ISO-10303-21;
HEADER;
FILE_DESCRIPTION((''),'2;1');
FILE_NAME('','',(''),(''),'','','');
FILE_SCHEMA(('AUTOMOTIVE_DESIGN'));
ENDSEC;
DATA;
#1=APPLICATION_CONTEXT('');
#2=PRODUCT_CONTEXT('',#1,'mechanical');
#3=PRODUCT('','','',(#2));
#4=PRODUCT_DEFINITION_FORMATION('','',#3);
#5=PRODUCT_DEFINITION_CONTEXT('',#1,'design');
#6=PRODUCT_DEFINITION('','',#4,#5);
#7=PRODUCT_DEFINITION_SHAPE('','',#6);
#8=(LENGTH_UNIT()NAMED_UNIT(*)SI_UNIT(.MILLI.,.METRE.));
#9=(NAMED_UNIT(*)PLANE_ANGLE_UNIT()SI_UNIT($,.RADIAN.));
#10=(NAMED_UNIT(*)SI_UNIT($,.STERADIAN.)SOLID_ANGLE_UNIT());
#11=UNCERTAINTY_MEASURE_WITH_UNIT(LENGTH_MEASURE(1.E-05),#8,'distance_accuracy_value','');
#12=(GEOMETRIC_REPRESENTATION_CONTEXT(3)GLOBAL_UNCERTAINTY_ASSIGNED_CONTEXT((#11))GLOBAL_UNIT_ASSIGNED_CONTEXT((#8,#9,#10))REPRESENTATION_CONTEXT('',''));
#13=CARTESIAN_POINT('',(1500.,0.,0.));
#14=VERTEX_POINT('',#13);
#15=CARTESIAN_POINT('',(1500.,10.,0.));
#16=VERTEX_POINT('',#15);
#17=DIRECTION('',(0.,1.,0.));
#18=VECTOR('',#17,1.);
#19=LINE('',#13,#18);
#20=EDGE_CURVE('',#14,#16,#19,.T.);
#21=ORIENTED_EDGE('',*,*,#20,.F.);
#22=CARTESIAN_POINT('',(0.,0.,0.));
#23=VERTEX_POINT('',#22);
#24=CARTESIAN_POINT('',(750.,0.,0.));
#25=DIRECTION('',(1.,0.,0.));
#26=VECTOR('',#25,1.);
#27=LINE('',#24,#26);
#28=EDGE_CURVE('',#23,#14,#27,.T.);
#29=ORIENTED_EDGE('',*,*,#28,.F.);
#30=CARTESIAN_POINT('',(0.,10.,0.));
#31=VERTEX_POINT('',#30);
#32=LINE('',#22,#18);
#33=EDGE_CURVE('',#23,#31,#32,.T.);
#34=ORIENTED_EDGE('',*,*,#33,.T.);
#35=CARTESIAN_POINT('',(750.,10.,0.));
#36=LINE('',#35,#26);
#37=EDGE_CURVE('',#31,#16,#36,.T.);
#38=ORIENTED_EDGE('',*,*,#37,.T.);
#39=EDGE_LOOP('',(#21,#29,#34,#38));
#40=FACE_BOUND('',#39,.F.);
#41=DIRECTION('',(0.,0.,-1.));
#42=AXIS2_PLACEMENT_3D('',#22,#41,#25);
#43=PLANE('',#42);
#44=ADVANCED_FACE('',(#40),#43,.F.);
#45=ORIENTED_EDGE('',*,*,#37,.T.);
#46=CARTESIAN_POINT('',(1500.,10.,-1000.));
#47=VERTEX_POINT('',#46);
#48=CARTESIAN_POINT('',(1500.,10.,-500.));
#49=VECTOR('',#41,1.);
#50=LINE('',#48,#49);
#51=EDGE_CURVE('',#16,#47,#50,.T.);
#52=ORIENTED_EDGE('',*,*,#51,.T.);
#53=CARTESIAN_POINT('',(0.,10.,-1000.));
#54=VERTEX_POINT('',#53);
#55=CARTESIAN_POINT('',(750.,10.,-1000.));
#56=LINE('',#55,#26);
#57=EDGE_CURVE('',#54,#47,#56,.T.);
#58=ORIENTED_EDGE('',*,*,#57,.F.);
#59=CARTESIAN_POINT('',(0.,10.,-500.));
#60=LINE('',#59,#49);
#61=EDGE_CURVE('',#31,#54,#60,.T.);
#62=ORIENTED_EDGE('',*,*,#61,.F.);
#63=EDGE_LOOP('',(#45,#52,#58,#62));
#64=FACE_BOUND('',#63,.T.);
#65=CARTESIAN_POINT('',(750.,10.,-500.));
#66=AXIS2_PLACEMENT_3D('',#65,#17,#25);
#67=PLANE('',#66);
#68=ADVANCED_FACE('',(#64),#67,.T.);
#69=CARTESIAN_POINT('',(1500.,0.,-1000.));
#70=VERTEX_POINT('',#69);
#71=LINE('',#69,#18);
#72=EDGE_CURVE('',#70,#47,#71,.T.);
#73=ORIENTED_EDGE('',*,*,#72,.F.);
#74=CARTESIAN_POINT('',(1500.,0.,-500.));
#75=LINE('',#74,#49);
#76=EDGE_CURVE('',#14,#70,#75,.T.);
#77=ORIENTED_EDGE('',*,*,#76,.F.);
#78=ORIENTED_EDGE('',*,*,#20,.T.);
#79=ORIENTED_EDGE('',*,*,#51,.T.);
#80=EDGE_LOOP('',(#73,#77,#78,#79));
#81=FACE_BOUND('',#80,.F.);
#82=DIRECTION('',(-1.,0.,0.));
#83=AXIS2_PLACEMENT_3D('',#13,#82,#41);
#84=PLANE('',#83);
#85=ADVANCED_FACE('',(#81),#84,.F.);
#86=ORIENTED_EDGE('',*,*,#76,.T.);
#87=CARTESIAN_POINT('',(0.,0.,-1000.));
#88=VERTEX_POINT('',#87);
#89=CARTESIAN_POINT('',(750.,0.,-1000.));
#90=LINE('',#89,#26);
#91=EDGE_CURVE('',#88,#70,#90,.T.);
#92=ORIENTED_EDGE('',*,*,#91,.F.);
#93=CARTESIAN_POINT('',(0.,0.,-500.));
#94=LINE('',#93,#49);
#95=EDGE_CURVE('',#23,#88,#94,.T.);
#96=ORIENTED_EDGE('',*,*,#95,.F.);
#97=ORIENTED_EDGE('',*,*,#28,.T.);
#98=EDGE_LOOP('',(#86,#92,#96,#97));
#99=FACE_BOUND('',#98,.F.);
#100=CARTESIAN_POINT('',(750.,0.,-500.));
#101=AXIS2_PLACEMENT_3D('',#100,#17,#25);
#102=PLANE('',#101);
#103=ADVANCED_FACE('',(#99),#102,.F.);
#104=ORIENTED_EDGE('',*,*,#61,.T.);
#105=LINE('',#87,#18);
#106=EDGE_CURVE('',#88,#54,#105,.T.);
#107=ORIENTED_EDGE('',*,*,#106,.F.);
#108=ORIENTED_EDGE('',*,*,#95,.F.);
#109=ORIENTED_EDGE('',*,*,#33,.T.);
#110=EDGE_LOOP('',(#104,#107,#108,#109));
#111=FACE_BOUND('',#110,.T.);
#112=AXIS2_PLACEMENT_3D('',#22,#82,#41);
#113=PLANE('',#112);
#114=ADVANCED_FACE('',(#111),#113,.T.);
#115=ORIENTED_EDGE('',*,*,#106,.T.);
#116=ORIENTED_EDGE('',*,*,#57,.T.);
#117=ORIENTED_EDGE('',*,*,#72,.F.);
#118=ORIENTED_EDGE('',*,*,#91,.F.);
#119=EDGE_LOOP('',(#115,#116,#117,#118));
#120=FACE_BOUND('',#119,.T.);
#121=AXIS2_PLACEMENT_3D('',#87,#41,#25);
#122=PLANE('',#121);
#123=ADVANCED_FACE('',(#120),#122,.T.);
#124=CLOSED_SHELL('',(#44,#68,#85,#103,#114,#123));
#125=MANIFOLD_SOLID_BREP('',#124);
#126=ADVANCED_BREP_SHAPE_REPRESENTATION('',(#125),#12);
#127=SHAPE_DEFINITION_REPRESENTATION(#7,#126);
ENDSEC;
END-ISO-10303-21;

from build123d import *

# Parameters (mm, degrees)
ESQUISSE1_W      = 1500
ESQUISSE1_H      = 1000
EXTRUSION1_DEPTH = 10


with BuildPart() as part:
    # Esquisse1 → Extrusion1 (new body)
    with BuildSketch(Plane(origin=(0, 0, 0), x_dir=(1, 0, 0), z_dir=(0, 1, 0))):
        with Locations((750, 500)):
            Rectangle(ESQUISSE1_W, ESQUISSE1_H)
    extrude(amount=EXTRUSION1_DEPTH)


solid = part.part
